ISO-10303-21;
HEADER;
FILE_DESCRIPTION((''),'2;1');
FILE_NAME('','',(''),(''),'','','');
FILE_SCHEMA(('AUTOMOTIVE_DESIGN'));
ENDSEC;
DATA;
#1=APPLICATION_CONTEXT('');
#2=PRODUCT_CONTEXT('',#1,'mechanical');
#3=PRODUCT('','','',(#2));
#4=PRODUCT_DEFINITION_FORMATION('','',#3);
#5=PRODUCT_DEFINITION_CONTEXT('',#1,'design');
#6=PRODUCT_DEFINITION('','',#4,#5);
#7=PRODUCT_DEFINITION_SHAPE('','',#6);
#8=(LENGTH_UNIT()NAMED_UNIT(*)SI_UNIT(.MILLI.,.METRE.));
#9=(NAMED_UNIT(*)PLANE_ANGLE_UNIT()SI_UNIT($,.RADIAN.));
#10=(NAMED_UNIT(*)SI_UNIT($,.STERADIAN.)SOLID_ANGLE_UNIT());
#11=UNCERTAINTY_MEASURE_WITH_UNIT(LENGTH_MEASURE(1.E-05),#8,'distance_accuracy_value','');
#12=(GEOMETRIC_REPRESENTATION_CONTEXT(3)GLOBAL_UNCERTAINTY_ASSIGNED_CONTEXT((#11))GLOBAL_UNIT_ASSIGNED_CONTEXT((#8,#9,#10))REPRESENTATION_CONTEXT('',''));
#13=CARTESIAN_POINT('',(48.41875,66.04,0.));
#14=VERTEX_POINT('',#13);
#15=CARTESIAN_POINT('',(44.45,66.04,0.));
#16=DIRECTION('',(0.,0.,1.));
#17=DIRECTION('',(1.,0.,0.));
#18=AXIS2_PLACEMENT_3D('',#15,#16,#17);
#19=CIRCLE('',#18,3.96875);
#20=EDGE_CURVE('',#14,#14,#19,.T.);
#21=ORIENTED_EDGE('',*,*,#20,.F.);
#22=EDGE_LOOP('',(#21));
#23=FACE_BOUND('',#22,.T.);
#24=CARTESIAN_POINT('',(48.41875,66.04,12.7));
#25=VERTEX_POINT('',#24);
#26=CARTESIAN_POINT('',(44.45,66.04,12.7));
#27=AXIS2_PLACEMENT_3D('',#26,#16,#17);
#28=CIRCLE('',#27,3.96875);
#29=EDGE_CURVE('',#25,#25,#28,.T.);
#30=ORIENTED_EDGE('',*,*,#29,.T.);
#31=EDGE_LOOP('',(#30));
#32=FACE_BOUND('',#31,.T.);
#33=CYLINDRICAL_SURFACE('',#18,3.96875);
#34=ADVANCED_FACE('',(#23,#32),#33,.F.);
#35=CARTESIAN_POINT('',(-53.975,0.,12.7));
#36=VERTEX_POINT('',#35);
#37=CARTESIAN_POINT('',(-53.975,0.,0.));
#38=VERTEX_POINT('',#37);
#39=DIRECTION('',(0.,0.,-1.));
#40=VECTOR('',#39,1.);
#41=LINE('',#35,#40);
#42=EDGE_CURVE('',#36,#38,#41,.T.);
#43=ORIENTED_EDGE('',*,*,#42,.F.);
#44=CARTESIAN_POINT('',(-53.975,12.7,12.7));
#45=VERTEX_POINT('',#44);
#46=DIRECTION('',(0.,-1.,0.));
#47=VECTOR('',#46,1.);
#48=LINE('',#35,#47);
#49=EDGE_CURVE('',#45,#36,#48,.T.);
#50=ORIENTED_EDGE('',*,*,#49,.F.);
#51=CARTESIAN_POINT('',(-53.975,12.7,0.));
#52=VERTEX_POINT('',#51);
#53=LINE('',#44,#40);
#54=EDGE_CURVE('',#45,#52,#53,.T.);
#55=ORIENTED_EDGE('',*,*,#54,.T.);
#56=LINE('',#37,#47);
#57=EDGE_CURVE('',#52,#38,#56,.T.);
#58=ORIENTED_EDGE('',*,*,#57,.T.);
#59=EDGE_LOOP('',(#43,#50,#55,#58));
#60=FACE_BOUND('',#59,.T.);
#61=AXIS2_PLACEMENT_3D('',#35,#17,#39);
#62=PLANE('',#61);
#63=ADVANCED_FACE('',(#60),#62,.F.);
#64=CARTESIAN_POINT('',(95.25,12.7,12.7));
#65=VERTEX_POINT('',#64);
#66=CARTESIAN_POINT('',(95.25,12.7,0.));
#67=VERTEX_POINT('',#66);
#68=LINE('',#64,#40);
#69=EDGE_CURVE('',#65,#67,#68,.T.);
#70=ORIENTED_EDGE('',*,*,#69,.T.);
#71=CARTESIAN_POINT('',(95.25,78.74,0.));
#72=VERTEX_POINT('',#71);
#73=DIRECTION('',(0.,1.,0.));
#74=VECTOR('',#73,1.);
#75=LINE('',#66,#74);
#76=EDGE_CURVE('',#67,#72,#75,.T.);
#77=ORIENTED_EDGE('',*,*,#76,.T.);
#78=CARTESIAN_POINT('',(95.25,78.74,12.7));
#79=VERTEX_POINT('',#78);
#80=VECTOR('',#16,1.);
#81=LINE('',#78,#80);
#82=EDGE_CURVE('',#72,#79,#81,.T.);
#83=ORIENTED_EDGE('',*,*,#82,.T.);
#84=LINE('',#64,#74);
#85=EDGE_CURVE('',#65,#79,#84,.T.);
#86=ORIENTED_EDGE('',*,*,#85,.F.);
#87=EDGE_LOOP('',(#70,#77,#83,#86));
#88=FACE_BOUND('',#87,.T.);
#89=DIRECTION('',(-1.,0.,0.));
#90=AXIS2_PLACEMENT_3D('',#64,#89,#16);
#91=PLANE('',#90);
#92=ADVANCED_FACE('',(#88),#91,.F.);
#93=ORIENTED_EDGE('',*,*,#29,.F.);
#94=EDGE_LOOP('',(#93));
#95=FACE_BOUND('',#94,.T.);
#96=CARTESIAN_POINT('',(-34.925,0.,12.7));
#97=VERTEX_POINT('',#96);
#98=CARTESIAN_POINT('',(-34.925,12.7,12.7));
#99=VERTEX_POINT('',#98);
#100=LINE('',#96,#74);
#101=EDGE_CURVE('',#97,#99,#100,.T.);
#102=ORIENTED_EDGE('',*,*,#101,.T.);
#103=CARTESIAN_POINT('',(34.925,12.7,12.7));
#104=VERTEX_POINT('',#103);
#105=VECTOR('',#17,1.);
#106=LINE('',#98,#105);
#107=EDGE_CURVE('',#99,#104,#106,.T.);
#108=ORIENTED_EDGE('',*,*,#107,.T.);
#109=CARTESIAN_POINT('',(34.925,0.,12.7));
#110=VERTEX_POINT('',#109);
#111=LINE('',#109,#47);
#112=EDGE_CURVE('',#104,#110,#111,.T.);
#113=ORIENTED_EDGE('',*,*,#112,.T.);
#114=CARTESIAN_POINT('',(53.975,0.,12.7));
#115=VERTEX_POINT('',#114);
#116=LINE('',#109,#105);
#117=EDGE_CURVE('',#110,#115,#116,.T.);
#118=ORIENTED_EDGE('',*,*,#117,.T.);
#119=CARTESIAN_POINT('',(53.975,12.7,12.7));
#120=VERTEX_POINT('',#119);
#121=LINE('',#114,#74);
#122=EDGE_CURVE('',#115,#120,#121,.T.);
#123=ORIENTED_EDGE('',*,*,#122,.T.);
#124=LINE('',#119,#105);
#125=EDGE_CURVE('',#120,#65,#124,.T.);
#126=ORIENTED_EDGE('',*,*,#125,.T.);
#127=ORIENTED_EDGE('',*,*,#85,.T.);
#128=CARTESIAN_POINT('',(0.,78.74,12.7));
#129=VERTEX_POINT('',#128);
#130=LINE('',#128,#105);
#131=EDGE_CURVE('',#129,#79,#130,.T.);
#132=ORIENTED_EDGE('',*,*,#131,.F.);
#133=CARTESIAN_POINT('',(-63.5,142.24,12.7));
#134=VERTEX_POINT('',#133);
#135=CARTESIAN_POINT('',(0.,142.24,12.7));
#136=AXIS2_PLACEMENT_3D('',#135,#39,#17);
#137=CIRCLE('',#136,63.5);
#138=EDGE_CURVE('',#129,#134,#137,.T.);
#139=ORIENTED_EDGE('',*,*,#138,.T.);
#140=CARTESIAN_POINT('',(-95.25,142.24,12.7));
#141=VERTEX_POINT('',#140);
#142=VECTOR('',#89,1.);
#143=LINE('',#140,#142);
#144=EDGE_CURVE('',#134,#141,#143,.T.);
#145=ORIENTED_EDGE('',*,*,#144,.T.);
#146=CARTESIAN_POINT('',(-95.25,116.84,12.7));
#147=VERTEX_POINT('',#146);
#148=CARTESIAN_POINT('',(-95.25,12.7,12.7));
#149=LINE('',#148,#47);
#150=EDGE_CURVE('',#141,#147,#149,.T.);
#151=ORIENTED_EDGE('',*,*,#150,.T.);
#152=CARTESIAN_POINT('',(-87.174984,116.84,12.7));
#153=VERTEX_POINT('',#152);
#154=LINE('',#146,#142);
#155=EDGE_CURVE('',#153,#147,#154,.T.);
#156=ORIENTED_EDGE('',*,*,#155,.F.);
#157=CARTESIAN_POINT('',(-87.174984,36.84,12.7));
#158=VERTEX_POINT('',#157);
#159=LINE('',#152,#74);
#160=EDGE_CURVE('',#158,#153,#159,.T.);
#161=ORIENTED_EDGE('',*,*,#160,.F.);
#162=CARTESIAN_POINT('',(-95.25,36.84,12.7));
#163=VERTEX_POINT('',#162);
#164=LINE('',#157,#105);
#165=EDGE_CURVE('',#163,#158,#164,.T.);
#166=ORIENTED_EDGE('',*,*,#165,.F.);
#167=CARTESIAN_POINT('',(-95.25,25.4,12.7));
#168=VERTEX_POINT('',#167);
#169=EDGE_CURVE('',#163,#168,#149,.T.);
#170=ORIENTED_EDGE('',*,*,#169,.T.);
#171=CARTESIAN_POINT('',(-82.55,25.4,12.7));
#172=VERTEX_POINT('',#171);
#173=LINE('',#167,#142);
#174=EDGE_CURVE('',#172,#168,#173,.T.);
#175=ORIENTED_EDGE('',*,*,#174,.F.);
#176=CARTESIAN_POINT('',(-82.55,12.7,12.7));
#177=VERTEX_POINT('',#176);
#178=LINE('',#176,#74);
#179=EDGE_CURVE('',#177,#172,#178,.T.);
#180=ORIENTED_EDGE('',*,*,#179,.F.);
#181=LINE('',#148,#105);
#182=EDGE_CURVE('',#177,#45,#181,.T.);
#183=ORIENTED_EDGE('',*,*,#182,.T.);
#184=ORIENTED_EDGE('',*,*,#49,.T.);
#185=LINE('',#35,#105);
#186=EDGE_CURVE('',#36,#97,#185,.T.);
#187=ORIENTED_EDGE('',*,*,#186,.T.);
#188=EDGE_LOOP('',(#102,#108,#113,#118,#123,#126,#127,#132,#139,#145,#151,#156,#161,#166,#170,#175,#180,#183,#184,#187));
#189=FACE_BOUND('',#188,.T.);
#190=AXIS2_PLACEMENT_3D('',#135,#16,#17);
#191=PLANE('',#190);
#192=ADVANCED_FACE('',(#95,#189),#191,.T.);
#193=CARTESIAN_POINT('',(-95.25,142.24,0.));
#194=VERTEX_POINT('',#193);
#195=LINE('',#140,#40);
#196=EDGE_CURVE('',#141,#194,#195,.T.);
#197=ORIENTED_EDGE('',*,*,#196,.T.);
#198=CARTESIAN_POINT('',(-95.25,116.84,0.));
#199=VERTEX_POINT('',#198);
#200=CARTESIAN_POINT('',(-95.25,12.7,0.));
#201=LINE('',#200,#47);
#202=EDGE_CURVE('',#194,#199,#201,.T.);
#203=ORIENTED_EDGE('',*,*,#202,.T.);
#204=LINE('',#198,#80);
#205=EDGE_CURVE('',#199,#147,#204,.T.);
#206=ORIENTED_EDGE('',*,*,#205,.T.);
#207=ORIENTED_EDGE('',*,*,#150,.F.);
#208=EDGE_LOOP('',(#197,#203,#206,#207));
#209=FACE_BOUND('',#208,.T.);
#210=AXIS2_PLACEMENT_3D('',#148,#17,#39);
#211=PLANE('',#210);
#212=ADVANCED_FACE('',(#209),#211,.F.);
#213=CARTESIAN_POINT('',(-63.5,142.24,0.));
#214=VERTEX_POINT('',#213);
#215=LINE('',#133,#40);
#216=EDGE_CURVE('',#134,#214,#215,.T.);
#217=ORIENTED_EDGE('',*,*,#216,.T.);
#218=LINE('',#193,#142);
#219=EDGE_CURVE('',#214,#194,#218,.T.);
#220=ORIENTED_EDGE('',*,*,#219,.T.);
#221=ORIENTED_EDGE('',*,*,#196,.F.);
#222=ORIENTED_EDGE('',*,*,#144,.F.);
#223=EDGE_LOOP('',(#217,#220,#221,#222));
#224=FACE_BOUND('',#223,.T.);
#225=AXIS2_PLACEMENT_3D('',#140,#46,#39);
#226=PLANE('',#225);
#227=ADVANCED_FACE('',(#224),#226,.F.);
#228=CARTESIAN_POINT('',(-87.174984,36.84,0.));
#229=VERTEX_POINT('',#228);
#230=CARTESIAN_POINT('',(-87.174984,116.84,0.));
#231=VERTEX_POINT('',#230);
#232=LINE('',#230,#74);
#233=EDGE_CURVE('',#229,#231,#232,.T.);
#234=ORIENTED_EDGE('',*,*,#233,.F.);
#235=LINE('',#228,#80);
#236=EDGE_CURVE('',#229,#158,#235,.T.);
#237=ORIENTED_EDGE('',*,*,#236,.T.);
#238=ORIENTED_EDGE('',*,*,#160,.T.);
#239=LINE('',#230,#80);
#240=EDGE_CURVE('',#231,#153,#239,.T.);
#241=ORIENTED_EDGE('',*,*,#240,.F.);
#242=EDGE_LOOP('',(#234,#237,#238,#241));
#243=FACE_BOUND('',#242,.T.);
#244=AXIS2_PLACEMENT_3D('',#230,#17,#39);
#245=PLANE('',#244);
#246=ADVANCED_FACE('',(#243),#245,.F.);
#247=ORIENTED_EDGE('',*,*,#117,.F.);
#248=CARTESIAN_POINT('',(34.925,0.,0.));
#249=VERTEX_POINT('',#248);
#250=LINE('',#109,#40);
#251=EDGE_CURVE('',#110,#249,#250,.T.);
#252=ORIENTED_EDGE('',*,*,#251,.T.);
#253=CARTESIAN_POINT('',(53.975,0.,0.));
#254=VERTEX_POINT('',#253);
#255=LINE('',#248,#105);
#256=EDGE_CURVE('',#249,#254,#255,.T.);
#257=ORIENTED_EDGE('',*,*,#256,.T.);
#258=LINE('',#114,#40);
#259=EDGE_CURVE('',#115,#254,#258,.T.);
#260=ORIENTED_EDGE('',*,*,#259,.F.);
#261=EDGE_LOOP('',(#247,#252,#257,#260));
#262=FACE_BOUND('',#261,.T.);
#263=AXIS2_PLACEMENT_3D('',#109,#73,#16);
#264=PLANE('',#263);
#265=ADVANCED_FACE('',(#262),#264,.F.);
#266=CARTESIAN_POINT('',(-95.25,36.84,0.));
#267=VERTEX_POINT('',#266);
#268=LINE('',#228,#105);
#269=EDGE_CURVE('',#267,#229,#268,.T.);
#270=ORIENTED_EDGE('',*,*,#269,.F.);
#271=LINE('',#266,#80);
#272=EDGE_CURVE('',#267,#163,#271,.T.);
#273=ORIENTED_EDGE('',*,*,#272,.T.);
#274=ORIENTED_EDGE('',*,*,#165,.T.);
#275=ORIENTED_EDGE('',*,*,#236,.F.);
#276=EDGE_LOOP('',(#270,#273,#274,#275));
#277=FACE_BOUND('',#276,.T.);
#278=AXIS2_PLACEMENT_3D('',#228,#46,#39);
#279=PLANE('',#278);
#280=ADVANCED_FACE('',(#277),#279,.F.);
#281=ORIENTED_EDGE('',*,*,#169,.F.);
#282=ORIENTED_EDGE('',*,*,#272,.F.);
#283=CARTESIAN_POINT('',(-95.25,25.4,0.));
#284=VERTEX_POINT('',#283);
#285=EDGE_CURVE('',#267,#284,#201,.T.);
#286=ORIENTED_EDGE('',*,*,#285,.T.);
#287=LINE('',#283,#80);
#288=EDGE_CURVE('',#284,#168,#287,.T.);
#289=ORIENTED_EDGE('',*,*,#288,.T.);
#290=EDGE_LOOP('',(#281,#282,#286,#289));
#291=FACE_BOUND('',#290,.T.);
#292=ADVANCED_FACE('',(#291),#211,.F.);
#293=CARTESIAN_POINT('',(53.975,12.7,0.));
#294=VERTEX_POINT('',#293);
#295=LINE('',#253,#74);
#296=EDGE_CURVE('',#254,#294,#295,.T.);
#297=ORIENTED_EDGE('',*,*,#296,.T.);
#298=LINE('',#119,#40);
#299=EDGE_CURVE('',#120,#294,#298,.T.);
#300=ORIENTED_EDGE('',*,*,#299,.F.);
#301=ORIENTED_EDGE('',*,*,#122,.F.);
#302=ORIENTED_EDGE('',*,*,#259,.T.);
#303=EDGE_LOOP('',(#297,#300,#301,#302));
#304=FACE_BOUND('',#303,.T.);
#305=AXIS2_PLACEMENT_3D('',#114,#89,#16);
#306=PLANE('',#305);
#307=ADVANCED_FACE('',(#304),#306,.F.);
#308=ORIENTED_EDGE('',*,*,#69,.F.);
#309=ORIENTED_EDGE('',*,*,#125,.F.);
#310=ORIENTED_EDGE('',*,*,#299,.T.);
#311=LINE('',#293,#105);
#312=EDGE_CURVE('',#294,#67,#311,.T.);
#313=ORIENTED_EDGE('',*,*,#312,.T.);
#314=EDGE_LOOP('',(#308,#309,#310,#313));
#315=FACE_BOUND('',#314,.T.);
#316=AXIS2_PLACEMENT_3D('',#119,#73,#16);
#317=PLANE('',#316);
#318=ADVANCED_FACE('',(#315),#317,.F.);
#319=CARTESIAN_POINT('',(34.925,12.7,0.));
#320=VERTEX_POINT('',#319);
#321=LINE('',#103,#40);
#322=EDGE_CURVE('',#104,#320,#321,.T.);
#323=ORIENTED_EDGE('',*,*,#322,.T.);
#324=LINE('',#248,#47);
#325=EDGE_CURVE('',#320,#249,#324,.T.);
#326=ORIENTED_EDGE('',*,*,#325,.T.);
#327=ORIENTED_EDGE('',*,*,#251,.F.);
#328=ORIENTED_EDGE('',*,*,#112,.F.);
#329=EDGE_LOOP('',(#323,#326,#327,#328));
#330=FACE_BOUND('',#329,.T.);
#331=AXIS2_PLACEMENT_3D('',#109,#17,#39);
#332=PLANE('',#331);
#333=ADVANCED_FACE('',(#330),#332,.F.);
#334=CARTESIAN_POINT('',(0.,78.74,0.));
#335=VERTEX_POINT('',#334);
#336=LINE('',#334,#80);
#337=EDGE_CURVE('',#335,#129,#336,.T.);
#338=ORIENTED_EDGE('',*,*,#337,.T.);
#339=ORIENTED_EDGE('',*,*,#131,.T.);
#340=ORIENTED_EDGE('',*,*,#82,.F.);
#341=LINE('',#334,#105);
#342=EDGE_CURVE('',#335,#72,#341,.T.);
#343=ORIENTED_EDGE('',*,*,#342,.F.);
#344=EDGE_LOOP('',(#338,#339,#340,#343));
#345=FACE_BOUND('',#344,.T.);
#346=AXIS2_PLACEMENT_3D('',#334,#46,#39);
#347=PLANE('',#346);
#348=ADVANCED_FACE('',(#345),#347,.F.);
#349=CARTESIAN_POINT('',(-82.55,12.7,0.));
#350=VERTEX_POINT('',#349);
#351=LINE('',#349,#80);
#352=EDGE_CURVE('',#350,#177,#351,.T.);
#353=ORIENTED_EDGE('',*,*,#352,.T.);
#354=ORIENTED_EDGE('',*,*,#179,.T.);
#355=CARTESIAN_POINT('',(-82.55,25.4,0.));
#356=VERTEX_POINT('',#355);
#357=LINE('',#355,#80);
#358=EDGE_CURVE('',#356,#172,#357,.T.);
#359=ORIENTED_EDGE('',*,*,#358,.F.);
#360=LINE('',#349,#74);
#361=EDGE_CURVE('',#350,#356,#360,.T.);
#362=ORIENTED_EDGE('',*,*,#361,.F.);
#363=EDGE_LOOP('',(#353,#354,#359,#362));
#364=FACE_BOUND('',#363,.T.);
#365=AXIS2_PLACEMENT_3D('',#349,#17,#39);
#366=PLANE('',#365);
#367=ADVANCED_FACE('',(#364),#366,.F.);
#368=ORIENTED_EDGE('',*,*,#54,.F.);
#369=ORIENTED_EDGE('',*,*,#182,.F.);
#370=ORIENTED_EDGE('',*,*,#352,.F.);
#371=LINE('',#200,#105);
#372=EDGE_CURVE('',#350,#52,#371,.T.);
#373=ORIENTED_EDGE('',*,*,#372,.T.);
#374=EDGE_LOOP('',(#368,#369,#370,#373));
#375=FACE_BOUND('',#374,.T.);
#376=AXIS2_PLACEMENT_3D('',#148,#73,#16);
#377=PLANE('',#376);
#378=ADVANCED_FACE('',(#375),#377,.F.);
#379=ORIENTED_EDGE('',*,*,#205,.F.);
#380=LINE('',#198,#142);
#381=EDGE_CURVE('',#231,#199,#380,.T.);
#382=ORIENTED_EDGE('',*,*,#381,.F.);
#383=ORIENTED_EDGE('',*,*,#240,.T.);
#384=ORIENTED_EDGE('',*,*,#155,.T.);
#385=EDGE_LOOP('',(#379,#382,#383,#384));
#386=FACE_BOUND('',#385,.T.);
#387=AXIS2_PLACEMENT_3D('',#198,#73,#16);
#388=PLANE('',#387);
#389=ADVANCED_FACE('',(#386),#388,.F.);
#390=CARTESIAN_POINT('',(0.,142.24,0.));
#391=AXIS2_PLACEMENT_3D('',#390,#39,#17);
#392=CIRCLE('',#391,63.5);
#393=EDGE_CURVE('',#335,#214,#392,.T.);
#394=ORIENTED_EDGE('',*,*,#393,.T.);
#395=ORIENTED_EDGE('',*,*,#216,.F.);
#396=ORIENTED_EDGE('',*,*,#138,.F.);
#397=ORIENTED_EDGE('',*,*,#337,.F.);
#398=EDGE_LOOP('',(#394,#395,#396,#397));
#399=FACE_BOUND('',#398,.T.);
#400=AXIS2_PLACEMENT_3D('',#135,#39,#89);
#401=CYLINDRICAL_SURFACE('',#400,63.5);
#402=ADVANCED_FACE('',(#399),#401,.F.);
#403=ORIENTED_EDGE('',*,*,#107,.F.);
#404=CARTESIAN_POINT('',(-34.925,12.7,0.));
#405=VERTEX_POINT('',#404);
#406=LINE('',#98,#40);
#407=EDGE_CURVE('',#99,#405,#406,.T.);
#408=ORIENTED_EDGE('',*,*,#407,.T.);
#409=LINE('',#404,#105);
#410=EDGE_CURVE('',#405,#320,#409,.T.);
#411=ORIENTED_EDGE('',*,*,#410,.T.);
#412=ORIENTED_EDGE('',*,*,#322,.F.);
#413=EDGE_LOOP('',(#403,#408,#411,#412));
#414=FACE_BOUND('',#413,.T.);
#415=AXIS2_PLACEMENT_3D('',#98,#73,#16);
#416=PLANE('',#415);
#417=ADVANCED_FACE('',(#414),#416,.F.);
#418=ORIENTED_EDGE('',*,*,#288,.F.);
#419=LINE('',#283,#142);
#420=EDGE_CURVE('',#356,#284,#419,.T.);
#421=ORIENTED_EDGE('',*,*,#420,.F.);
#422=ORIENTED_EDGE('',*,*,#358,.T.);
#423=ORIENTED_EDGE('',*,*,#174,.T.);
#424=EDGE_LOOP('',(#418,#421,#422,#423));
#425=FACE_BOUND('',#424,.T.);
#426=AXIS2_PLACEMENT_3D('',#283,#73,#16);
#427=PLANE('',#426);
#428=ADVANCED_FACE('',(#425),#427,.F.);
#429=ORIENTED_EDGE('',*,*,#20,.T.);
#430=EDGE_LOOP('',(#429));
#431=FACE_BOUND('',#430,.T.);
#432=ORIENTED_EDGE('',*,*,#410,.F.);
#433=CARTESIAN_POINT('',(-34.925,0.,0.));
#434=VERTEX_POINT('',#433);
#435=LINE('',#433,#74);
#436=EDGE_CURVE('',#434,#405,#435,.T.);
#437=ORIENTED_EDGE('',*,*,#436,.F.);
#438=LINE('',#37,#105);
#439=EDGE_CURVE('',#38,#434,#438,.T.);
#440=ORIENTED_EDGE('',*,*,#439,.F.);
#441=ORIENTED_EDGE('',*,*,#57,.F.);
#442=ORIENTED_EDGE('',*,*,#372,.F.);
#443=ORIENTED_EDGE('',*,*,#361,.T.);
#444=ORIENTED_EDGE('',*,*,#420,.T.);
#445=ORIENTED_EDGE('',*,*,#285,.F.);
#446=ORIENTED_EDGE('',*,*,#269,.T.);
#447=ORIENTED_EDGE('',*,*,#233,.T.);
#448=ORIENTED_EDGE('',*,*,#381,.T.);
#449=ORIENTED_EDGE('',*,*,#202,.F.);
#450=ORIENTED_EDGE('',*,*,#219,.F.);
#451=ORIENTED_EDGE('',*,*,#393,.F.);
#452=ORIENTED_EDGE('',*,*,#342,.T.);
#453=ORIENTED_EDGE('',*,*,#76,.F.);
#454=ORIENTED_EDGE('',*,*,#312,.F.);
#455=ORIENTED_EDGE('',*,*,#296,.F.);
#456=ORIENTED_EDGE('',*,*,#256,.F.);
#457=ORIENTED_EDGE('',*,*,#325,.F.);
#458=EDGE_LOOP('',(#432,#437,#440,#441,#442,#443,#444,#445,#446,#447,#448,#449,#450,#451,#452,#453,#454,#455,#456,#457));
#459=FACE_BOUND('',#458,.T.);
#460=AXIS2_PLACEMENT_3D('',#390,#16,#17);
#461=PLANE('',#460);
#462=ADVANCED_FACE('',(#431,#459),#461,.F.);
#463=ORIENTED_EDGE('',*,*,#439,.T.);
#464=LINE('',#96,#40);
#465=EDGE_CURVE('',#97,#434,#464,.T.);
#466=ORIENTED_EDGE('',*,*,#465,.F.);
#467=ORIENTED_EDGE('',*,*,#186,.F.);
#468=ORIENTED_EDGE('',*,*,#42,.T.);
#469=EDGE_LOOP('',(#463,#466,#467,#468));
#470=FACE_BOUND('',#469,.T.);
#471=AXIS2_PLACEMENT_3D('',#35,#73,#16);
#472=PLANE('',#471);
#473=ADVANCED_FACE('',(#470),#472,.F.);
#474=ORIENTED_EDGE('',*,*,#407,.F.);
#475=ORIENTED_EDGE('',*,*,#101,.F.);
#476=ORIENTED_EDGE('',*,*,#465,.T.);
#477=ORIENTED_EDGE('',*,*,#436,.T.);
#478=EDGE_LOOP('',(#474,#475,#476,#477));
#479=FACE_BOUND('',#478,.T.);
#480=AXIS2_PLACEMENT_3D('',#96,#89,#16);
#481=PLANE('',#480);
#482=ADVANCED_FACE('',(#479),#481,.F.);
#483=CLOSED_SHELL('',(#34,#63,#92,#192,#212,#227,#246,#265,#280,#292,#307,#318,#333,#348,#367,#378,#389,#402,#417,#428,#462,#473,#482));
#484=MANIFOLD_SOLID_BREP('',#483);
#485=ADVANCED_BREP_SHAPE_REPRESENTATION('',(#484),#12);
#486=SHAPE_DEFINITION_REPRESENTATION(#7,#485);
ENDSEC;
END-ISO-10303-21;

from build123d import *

# Parameters (mm, degrees)
EXTRUDE1_DEPTH        = 12.7
SKETCH2_R             = 3.96875
CUT_EXTRUDE1_DEPTH    = 172.656838198
SKETCH3_W             = 12.7
SKETCH3_H             = 12.7
EXTRUDE2_DEPTH        = 172.656838198
SKETCH4_W             = 105.983052191
SKETCH4_H             = 75.202262717
EXTRUDE3_DEPTH        = 172.656838198
CROQUIS1_W            = 8.075015689
CROQUIS1_H            = 80
CORTAR_EXTRUIR1_DEPTH = 12.7


with BuildPart() as part:
    # Sketch1 → Extrude1 (new body)
    with BuildSketch(Plane.XY):
        with BuildLine():
            Line((-95.25, 12.7), (-53.975, 12.7))
            Line((-53.975, 12.7), (-53.975, 0))
            Line((-53.975, 0), (-34.925, 0))
            Line((-34.925, 0), (-34.925, 12.7))
            Line((-34.925, 12.7), (34.925, 12.7))
            Line((34.925, 12.7), (34.925, 0))
            Line((34.925, 0), (53.975, 0))
            Line((53.975, 0), (53.975, 12.7))
            Line((53.975, 12.7), (95.25, 12.7))
            Line((95.25, 12.7), (95.25, 142.24))
            Line((95.25, 142.24), (63.5, 142.24))
            ThreePointArc((63.5, 142.24), (0, 78.74), (-63.5, 142.24))
            Line((-63.5, 142.24), (-95.25, 142.24))
            Line((-95.25, 142.24), (-95.25, 12.7))
        make_face()
    extrude(amount=EXTRUDE1_DEPTH)

    # Sketch2 → Cut-Extrude1 (cut, through all)
    with BuildSketch(Plane.XY.offset(12.7)):
        with Locations((44.45, 66.04)):
            Circle(SKETCH2_R)
    extrude(amount=-CUT_EXTRUDE1_DEPTH, mode=Mode.SUBTRACT)

    # Sketch3 → Extrude2 (cut, through all)
    with BuildSketch(Plane.XY.offset(12.7)):
        with Locations((-88.9, 19.05)):
            Rectangle(SKETCH3_W, SKETCH3_H)
    extrude(amount=-EXTRUDE2_DEPTH, mode=Mode.SUBTRACT)

    # Sketch4 → Extrude3 (cut, through all)
    with BuildSketch(Plane.XY.offset(12.7)):
        with Locations((52.991526096, 116.341131359)):
            Rectangle(SKETCH4_W, SKETCH4_H)
    extrude(amount=-EXTRUDE3_DEPTH, mode=Mode.SUBTRACT)

    # Croquis1 → Cortar-Extruir1 (cut)
    with BuildSketch(Plane.XY.offset(12.7)):
        with Locations((-91.212492156, 76.84)):
            Rectangle(CROQUIS1_W, CROQUIS1_H)
    extrude(amount=-CORTAR_EXTRUIR1_DEPTH, mode=Mode.SUBTRACT)


solid = part.part
